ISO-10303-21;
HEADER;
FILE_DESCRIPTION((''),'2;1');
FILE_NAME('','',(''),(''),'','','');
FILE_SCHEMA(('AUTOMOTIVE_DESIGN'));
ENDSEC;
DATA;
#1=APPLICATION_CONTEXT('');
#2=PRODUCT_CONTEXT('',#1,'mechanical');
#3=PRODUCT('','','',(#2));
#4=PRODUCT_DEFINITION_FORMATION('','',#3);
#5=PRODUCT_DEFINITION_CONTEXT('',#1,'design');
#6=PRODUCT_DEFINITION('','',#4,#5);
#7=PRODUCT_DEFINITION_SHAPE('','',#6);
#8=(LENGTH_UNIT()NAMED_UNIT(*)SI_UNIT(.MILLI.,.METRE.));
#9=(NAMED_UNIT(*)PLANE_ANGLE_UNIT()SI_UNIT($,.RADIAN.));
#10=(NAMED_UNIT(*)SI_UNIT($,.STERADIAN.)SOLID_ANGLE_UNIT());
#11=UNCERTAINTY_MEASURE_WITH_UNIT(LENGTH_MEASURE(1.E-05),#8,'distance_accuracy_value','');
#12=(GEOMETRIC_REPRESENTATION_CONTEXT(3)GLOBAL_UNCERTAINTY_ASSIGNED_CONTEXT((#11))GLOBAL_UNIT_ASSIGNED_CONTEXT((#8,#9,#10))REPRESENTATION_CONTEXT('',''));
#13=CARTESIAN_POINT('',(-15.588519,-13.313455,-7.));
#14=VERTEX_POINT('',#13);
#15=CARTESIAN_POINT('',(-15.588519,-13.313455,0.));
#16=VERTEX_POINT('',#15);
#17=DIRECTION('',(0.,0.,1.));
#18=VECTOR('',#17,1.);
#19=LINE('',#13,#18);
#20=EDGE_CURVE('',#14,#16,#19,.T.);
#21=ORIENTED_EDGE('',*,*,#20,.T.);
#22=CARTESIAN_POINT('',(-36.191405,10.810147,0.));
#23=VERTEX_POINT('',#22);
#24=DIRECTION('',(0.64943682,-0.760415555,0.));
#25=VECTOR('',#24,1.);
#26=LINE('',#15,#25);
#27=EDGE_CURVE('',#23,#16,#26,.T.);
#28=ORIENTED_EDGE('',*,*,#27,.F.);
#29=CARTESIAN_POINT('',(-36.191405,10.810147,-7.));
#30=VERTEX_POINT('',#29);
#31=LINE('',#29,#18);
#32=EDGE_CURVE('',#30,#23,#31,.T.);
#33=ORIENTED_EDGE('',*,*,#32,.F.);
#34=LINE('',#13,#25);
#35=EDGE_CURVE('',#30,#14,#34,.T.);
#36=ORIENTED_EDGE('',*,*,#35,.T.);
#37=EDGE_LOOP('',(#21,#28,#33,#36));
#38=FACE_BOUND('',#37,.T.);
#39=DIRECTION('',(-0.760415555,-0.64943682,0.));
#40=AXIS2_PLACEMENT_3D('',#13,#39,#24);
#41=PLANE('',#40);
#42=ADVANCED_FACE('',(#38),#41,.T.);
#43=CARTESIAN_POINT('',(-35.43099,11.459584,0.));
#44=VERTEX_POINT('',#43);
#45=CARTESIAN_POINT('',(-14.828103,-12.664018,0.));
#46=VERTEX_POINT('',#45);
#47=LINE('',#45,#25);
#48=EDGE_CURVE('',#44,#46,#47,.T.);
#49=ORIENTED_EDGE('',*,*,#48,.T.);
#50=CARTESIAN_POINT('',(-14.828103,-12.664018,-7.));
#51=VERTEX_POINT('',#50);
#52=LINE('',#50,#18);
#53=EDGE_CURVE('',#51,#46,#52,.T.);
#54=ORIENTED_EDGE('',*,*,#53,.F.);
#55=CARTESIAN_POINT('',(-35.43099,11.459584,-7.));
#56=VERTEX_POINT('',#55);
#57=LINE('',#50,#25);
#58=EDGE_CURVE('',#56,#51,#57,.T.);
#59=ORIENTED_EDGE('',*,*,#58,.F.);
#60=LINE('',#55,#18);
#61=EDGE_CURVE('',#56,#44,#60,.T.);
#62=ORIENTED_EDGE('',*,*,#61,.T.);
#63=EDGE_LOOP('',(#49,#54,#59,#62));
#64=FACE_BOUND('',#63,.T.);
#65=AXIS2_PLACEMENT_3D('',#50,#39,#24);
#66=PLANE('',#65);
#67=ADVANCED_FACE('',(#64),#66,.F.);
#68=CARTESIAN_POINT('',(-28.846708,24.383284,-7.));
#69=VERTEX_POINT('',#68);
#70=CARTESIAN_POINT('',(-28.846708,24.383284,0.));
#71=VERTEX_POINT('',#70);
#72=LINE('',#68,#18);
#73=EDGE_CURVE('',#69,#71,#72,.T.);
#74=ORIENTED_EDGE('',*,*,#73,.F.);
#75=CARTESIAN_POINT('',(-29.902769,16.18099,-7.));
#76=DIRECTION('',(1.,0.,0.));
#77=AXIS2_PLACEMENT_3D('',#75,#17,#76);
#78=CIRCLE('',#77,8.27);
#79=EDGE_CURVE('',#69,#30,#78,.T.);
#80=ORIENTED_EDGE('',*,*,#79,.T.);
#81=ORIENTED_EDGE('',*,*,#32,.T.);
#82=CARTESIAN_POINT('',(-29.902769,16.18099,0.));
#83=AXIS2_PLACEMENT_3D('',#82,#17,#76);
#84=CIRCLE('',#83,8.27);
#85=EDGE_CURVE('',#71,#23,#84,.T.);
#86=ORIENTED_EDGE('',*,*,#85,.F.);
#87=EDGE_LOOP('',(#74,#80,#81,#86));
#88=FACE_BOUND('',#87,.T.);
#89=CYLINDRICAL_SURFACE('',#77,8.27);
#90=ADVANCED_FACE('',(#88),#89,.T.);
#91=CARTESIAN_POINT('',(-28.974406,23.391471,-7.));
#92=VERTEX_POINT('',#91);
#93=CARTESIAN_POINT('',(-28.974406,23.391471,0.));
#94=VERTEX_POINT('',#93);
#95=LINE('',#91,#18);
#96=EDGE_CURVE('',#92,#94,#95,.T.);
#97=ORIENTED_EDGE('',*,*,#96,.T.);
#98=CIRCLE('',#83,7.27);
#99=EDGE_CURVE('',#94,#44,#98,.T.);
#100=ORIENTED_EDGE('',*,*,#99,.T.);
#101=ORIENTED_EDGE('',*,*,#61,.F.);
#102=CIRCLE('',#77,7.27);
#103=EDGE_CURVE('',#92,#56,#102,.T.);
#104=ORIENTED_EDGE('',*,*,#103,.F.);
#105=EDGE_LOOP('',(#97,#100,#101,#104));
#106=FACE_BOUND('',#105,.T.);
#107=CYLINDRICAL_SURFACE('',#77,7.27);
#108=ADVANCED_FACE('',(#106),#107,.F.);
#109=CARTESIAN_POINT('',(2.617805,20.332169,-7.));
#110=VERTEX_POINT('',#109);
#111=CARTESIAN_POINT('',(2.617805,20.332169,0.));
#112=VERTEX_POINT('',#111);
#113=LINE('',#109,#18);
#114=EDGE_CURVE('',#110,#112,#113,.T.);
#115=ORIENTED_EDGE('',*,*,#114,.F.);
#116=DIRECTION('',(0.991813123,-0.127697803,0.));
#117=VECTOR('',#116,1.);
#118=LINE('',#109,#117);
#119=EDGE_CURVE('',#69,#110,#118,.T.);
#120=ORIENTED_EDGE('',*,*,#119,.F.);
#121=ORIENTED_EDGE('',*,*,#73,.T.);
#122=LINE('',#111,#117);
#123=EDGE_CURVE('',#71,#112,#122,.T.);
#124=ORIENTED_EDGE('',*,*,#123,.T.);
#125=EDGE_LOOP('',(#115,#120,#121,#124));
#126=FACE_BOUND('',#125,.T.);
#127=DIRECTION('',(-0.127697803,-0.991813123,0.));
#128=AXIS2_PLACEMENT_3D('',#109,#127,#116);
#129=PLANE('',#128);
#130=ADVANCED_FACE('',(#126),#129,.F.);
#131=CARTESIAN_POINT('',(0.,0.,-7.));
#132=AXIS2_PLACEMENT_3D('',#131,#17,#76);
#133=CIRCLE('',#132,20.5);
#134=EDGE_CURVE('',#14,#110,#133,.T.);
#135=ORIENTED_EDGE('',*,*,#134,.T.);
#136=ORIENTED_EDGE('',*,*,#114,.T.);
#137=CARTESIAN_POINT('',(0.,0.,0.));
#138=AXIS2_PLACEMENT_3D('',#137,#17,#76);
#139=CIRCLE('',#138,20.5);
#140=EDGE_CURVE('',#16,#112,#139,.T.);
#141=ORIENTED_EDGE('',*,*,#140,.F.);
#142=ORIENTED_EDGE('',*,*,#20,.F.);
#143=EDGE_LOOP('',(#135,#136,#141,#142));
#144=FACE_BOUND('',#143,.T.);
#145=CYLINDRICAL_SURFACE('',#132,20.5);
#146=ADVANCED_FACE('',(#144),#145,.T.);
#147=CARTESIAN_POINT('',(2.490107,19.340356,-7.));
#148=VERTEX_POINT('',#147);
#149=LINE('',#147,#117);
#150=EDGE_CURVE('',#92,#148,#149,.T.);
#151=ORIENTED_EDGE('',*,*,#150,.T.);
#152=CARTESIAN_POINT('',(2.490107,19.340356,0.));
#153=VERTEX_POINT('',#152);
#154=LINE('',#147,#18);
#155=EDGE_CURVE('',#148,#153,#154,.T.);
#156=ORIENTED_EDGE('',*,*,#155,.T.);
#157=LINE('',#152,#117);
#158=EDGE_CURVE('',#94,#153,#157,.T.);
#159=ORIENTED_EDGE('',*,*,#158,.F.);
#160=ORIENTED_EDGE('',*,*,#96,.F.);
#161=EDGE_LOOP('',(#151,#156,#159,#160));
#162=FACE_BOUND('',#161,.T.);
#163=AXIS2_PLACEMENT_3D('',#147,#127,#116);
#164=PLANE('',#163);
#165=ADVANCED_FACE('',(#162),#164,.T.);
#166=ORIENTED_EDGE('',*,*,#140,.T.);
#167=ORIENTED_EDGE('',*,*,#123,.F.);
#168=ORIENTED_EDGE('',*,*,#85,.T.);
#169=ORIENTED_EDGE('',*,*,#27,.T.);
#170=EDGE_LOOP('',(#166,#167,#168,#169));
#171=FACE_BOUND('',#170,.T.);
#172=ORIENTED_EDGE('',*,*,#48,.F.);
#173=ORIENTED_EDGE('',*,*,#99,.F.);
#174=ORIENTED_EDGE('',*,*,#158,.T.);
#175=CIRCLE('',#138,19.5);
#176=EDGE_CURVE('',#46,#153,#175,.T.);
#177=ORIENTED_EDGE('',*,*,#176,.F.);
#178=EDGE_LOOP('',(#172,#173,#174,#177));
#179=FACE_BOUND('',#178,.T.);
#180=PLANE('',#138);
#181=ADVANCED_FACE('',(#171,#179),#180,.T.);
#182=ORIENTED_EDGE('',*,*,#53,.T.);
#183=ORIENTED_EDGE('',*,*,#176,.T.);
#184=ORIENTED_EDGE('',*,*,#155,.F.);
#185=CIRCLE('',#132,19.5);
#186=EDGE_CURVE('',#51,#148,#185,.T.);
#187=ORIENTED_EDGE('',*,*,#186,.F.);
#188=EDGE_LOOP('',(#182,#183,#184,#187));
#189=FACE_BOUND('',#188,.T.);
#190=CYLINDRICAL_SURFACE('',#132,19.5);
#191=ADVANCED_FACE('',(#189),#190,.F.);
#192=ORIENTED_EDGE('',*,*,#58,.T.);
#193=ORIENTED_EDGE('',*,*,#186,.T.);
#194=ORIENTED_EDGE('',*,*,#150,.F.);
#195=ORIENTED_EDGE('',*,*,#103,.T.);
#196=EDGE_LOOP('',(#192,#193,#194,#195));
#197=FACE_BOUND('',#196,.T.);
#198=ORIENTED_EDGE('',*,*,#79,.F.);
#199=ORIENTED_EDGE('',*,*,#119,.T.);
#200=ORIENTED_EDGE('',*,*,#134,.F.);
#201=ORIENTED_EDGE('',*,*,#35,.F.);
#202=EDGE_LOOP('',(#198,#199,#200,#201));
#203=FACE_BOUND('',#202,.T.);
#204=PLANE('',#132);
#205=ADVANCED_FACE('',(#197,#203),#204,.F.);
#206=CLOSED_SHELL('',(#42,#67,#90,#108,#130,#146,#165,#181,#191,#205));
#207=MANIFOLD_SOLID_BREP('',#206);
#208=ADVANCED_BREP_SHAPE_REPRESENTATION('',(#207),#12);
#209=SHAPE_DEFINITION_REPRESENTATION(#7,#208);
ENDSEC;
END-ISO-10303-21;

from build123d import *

# Parameters (mm, degrees)
BOSS_EXTRUDE1_DEPTH = 7


with BuildPart() as part:
    # Sketch1 → Boss-Extrude1 (new body)
    with BuildSketch(Plane.XY):
        with BuildLine():
            Line((-28.84670785, 24.383284156), (2.617804957, 20.332169024))
            ThreePointArc((2.617804957, 20.332169024), (17.738884876, 10.27530843), (18.939530416, -7.845010363))
            ThreePointArc((18.939530416, -7.845010363), (3.206757045, -20.247634658), (-15.588518883, -13.313454812))
            Line((-15.588518883, -13.313454812), (-36.191405321, 10.810147126))
            ThreePointArc((-36.191405321, 10.810147126), (-37.176177413, 20.116777399), (-28.84670785, 24.383284156))
        make_face()
        with BuildLine():
            ThreePointArc((-28.974405652, 23.391471033), (-36.296684217, 19.64086594), (-35.430989766, 11.459583946))
            Line((-35.430989766, 11.459583946), (-14.828103328, -12.664017991))
            ThreePointArc((-14.828103328, -12.664017991), (3.050329872, -19.259945163), (18.015650884, -7.462326931))
            ThreePointArc((18.015650884, -7.462326931), (16.873573419, 9.774073873), (2.490107155, 19.340355901))
            Line((2.490107155, 19.340355901), (-28.974405652, 23.391471033))
        make_face(mode=Mode.SUBTRACT)
    extrude(amount=-BOSS_EXTRUDE1_DEPTH)


solid = part.part
